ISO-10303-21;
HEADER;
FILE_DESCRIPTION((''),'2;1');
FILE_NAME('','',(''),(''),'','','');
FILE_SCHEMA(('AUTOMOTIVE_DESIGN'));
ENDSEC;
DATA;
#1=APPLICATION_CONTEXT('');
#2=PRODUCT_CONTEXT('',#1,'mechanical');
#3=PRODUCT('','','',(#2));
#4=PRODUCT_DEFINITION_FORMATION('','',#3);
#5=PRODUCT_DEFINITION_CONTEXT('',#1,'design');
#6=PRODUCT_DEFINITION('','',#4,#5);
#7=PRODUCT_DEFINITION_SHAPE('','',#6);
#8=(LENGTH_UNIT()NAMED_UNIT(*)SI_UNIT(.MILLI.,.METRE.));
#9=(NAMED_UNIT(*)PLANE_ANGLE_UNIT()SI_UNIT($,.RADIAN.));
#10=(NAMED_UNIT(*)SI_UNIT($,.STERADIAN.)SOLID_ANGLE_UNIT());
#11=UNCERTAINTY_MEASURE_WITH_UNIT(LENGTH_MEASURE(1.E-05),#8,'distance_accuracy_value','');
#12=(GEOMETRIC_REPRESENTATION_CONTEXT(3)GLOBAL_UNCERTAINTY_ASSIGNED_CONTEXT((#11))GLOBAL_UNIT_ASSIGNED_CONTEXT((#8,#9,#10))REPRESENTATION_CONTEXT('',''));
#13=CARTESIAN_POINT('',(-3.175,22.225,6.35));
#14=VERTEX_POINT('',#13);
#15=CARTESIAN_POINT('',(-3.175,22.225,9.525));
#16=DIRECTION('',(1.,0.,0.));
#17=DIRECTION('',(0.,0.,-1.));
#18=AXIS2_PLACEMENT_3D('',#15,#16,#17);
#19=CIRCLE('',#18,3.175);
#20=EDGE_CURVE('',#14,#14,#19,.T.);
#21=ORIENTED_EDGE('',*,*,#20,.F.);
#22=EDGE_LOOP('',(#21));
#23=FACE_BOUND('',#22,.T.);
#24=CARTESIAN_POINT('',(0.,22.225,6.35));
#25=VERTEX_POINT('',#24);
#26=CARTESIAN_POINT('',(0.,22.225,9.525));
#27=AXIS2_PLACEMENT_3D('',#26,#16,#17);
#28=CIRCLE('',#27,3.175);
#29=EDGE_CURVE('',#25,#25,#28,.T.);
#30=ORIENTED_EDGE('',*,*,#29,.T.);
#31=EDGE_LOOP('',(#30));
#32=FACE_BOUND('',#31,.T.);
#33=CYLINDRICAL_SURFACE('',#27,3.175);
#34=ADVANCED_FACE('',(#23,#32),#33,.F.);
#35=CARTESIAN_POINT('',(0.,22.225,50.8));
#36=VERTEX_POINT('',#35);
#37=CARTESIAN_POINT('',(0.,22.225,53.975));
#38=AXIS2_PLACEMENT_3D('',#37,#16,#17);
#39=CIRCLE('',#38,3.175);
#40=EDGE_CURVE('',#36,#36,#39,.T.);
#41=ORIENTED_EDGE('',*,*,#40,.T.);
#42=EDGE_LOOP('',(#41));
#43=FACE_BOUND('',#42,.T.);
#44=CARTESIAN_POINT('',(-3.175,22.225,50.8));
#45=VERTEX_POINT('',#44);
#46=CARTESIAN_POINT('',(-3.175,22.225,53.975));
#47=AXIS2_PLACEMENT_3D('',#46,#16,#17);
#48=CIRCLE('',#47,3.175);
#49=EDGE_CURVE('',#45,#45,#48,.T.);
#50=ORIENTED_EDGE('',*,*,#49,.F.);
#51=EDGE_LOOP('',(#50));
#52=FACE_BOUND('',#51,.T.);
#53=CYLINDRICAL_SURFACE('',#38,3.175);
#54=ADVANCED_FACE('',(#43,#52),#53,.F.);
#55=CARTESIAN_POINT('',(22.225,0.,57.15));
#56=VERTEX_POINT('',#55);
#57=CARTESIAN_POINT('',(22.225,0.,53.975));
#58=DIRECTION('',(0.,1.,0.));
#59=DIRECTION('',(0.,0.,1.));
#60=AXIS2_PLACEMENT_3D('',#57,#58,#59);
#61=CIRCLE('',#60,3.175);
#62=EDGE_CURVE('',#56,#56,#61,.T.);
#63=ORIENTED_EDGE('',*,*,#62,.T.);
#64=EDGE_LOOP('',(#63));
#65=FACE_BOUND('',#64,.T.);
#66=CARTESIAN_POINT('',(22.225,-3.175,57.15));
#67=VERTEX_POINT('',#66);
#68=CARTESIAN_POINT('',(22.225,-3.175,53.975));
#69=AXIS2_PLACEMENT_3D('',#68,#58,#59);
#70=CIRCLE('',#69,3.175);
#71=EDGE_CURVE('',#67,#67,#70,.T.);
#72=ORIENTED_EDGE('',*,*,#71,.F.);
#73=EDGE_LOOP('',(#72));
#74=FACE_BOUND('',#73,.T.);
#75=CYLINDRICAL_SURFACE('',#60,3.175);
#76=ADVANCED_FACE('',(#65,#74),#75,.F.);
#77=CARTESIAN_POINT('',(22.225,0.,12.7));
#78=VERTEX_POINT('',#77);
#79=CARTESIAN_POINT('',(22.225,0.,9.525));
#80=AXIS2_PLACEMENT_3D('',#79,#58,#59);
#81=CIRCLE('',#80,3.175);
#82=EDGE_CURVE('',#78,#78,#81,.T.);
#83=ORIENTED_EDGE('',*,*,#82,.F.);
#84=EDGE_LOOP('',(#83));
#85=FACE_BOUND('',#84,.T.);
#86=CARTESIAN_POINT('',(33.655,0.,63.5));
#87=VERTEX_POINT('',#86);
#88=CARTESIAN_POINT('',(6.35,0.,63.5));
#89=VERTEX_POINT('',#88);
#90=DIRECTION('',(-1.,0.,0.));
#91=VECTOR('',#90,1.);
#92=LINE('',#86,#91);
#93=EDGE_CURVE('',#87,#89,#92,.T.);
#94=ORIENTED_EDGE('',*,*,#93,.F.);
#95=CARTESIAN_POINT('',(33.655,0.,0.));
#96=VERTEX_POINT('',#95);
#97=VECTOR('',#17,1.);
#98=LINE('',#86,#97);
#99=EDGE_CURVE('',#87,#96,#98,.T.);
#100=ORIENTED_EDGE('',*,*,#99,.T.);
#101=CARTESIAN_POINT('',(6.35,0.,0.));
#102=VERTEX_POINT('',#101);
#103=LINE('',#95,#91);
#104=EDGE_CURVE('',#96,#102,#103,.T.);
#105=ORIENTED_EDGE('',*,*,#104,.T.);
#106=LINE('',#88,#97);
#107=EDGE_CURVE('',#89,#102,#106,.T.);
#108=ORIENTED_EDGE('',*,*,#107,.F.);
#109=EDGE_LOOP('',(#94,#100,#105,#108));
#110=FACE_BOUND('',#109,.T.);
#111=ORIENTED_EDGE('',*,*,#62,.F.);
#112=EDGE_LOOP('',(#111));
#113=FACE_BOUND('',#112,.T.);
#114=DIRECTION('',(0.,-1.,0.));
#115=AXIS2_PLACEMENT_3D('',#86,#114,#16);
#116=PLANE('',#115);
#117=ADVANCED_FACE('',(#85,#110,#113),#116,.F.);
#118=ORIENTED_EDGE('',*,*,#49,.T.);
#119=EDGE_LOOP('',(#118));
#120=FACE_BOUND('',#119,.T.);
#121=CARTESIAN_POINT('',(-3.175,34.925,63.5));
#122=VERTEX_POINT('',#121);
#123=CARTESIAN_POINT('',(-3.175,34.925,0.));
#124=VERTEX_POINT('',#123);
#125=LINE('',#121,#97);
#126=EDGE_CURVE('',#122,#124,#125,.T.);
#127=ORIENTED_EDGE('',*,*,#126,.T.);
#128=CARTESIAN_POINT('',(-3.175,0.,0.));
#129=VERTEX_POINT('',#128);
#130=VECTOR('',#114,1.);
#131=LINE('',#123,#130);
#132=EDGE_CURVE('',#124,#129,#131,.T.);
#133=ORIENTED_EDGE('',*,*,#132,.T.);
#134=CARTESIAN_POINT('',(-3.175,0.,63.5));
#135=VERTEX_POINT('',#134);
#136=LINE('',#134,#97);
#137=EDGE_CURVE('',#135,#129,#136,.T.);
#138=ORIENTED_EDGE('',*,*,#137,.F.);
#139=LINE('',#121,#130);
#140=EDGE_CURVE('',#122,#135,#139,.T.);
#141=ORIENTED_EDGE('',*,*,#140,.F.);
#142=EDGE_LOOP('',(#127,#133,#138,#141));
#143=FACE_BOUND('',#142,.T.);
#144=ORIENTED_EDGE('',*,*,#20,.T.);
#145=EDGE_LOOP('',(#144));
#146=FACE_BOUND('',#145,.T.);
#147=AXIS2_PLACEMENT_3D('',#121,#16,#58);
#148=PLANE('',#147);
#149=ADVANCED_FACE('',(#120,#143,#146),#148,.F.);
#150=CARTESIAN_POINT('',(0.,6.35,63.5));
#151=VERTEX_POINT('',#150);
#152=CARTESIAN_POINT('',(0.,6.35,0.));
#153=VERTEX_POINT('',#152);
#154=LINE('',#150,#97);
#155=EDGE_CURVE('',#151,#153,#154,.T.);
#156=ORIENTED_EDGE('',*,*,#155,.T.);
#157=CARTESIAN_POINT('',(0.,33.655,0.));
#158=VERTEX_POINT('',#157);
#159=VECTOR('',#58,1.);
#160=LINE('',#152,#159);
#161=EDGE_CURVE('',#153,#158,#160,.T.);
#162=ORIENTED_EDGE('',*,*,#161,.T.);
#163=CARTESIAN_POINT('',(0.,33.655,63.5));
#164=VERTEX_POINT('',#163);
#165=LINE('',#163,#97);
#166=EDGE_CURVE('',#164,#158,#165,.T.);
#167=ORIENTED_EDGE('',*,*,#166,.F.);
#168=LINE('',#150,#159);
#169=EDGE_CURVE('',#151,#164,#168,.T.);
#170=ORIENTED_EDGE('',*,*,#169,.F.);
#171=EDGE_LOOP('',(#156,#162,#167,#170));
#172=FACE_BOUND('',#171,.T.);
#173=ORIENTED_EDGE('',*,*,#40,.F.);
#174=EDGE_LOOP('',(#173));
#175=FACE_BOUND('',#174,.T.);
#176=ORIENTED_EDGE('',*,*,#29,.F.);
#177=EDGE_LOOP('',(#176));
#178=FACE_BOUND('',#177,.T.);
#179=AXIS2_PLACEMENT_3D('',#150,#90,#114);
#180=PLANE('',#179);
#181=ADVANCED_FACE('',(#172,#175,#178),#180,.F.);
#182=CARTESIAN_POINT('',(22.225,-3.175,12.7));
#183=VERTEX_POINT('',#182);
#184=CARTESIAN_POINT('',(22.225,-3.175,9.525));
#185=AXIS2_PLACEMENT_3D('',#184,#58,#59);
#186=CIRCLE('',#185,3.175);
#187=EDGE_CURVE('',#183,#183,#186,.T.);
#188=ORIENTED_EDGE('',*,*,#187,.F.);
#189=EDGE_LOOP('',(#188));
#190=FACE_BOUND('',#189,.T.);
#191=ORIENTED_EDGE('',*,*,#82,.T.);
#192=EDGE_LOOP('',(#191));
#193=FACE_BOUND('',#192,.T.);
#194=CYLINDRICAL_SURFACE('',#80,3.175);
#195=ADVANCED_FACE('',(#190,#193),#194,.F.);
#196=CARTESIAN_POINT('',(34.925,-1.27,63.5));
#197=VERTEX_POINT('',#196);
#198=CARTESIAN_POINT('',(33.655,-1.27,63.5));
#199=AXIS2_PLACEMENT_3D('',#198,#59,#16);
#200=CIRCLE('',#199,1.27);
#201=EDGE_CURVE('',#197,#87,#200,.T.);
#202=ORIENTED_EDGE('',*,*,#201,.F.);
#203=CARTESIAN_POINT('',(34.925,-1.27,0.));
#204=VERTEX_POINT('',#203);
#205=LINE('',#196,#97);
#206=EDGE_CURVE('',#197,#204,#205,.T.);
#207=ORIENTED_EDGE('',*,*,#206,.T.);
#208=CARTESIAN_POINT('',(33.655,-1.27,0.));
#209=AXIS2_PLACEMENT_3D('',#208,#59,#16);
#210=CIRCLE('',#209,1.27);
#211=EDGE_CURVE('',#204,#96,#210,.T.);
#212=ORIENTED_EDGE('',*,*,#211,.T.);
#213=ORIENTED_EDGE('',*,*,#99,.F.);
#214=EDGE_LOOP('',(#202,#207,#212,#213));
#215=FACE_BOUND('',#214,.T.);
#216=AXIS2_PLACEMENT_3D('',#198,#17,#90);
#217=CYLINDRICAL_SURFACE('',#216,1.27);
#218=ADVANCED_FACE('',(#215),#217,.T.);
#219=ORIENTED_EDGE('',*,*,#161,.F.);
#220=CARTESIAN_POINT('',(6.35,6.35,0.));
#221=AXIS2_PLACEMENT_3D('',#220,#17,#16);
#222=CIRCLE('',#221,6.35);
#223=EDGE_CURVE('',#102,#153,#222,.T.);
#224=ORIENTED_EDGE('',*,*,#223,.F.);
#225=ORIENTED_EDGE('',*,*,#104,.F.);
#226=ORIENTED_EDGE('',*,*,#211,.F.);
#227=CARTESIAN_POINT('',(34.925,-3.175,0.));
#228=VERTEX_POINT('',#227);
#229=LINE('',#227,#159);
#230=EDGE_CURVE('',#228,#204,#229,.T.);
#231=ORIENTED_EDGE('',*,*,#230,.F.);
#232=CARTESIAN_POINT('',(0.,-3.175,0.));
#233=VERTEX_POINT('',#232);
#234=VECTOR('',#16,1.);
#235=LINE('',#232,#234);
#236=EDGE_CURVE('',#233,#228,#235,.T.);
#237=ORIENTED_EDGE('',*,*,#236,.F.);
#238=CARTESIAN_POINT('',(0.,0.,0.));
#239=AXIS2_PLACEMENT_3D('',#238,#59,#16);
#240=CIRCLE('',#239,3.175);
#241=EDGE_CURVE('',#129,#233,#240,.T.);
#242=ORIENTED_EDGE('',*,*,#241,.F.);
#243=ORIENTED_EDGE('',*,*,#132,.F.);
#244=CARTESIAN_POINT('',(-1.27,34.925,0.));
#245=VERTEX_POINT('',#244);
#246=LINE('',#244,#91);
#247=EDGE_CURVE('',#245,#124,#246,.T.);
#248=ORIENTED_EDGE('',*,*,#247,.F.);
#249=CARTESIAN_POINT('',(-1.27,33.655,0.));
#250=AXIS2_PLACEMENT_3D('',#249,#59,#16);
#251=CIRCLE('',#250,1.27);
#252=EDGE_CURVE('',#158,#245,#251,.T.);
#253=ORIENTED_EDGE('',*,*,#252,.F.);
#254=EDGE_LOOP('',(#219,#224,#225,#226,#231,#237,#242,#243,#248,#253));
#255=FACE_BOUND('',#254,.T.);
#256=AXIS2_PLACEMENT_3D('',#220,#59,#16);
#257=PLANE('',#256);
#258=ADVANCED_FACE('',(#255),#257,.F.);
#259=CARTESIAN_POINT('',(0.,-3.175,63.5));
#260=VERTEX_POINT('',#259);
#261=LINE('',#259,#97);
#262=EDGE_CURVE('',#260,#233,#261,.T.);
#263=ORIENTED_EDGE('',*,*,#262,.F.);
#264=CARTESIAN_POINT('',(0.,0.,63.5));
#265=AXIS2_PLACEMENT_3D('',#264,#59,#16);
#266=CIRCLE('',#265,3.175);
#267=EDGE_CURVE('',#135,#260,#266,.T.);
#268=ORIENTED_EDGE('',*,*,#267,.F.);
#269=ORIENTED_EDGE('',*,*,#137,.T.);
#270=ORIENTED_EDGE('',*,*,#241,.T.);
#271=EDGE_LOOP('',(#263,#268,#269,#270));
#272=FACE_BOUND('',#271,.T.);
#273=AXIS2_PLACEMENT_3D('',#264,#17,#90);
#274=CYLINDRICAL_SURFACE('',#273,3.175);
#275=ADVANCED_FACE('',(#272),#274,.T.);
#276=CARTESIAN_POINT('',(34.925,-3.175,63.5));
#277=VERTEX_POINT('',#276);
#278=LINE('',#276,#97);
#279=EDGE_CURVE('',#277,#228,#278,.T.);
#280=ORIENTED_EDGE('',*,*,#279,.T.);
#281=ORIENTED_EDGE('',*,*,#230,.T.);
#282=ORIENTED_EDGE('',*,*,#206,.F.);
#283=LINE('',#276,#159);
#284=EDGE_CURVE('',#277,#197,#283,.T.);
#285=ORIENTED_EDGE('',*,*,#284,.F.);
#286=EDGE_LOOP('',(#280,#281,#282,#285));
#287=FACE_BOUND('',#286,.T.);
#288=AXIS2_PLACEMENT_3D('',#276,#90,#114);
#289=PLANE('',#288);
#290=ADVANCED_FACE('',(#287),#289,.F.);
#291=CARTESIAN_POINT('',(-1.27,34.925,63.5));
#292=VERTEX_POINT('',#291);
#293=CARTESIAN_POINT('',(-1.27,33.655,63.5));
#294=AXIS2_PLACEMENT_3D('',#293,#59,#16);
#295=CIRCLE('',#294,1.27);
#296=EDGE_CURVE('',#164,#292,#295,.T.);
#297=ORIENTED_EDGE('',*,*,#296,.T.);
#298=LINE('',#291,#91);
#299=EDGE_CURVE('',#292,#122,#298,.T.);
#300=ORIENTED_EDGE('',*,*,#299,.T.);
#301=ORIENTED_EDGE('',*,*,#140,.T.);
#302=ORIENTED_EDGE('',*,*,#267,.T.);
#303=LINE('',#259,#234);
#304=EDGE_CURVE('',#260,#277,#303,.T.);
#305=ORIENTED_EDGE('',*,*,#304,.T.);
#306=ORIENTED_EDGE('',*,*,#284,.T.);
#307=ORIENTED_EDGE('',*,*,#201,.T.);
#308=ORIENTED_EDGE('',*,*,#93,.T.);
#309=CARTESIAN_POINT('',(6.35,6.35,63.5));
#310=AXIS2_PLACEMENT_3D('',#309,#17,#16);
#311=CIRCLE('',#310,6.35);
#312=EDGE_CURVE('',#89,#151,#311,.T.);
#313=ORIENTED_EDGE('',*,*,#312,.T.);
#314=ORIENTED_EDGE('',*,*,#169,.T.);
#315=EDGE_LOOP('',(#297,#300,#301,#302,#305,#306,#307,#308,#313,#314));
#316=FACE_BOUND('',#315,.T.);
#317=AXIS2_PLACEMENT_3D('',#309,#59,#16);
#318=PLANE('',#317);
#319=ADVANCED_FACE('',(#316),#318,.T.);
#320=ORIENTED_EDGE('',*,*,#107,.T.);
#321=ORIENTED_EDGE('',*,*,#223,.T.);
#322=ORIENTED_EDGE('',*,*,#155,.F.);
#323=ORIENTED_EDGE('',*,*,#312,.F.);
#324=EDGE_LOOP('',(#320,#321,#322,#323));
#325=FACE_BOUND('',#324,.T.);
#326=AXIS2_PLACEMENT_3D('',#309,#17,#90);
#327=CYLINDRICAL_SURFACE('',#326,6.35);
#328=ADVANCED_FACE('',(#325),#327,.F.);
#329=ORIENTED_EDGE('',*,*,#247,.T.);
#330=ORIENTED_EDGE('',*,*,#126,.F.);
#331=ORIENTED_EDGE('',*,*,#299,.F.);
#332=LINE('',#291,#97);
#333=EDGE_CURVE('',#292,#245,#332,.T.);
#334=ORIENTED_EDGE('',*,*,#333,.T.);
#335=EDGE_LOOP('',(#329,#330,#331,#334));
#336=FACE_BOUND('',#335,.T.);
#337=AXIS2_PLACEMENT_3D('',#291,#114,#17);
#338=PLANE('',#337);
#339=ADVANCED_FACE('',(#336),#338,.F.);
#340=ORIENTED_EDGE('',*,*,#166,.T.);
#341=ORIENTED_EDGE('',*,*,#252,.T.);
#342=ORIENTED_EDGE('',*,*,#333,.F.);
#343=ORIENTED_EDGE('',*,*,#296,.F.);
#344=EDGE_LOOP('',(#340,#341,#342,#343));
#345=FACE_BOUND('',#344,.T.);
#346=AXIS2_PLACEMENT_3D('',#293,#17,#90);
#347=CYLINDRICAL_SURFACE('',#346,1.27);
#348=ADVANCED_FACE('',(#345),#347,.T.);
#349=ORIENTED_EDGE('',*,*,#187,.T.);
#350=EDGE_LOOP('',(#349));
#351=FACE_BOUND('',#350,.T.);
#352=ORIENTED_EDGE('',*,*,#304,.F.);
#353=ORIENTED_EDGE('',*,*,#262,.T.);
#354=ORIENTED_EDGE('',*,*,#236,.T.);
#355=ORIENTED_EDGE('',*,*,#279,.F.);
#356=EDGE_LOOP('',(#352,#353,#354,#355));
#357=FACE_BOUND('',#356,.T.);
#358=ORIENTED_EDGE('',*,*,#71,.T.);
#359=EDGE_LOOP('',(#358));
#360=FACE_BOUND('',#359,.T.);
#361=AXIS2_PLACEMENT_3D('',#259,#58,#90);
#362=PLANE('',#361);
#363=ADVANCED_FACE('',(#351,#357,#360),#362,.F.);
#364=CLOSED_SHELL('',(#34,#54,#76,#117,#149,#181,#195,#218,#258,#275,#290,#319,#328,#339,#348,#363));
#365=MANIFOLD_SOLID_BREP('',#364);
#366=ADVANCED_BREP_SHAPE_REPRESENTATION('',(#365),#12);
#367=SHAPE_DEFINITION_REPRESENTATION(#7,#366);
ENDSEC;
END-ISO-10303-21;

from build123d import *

# Parameters (mm, degrees)
BOSS_EXTRUDE1_DEPTH                   = 63.5
F_1_4_0_25_DIAMETER_HOLE1_D           = 6.35
F_1_4_0_25_DIAMETER_HOLE1_ON_FACE_2_D = 6.35


with BuildPart() as part:
    # Sketch3 → Boss-Extrude1 (new body)
    with BuildSketch(Plane.XY):
        with BuildLine():
            Line((0, 6.35), (0, 33.655))
            ThreePointArc((0, 33.655), (-0.371974388, 34.553025612), (-1.27, 34.925))
            Line((-1.27, 34.925), (-3.175, 34.925))
            Line((-3.175, 34.925), (-3.175, 0))
            ThreePointArc((-3.175, 0), (-2.24506403, -2.24506403), (0, -3.175))
            Line((0, -3.175), (34.925, -3.175))
            Line((34.925, -3.175), (34.925, -1.27))
            ThreePointArc((34.925, -1.27), (34.553025612, -0.371974388), (33.655, 0))
            Line((33.655, 0), (6.35, 0))
            ThreePointArc((6.35, 0), (1.859871939, 1.859871939), (0, 6.35))
        make_face()
    extrude(amount=BOSS_EXTRUDE1_DEPTH)

    # 1/4 (0.25) Diameter Hole1 (through all)
    with Locations(Plane(origin=(22.225, 0, 53.975), x_dir=(1, 0, 0), z_dir=(0, 1, 0))):
        with Locations((0, 0), (0, 44.45)):
            Hole(F_1_4_0_25_DIAMETER_HOLE1_D / 2)

    # 1/4 (0.25) Diameter Hole1 on face 2 (through all)
    with Locations(Plane(origin=(0, 22.225, 9.525), x_dir=(0, 0, 1), z_dir=(1, 0, 0))):
        with Locations((0, 0), (44.45, 0)):
            Hole(F_1_4_0_25_DIAMETER_HOLE1_ON_FACE_2_D / 2)


solid = part.part
